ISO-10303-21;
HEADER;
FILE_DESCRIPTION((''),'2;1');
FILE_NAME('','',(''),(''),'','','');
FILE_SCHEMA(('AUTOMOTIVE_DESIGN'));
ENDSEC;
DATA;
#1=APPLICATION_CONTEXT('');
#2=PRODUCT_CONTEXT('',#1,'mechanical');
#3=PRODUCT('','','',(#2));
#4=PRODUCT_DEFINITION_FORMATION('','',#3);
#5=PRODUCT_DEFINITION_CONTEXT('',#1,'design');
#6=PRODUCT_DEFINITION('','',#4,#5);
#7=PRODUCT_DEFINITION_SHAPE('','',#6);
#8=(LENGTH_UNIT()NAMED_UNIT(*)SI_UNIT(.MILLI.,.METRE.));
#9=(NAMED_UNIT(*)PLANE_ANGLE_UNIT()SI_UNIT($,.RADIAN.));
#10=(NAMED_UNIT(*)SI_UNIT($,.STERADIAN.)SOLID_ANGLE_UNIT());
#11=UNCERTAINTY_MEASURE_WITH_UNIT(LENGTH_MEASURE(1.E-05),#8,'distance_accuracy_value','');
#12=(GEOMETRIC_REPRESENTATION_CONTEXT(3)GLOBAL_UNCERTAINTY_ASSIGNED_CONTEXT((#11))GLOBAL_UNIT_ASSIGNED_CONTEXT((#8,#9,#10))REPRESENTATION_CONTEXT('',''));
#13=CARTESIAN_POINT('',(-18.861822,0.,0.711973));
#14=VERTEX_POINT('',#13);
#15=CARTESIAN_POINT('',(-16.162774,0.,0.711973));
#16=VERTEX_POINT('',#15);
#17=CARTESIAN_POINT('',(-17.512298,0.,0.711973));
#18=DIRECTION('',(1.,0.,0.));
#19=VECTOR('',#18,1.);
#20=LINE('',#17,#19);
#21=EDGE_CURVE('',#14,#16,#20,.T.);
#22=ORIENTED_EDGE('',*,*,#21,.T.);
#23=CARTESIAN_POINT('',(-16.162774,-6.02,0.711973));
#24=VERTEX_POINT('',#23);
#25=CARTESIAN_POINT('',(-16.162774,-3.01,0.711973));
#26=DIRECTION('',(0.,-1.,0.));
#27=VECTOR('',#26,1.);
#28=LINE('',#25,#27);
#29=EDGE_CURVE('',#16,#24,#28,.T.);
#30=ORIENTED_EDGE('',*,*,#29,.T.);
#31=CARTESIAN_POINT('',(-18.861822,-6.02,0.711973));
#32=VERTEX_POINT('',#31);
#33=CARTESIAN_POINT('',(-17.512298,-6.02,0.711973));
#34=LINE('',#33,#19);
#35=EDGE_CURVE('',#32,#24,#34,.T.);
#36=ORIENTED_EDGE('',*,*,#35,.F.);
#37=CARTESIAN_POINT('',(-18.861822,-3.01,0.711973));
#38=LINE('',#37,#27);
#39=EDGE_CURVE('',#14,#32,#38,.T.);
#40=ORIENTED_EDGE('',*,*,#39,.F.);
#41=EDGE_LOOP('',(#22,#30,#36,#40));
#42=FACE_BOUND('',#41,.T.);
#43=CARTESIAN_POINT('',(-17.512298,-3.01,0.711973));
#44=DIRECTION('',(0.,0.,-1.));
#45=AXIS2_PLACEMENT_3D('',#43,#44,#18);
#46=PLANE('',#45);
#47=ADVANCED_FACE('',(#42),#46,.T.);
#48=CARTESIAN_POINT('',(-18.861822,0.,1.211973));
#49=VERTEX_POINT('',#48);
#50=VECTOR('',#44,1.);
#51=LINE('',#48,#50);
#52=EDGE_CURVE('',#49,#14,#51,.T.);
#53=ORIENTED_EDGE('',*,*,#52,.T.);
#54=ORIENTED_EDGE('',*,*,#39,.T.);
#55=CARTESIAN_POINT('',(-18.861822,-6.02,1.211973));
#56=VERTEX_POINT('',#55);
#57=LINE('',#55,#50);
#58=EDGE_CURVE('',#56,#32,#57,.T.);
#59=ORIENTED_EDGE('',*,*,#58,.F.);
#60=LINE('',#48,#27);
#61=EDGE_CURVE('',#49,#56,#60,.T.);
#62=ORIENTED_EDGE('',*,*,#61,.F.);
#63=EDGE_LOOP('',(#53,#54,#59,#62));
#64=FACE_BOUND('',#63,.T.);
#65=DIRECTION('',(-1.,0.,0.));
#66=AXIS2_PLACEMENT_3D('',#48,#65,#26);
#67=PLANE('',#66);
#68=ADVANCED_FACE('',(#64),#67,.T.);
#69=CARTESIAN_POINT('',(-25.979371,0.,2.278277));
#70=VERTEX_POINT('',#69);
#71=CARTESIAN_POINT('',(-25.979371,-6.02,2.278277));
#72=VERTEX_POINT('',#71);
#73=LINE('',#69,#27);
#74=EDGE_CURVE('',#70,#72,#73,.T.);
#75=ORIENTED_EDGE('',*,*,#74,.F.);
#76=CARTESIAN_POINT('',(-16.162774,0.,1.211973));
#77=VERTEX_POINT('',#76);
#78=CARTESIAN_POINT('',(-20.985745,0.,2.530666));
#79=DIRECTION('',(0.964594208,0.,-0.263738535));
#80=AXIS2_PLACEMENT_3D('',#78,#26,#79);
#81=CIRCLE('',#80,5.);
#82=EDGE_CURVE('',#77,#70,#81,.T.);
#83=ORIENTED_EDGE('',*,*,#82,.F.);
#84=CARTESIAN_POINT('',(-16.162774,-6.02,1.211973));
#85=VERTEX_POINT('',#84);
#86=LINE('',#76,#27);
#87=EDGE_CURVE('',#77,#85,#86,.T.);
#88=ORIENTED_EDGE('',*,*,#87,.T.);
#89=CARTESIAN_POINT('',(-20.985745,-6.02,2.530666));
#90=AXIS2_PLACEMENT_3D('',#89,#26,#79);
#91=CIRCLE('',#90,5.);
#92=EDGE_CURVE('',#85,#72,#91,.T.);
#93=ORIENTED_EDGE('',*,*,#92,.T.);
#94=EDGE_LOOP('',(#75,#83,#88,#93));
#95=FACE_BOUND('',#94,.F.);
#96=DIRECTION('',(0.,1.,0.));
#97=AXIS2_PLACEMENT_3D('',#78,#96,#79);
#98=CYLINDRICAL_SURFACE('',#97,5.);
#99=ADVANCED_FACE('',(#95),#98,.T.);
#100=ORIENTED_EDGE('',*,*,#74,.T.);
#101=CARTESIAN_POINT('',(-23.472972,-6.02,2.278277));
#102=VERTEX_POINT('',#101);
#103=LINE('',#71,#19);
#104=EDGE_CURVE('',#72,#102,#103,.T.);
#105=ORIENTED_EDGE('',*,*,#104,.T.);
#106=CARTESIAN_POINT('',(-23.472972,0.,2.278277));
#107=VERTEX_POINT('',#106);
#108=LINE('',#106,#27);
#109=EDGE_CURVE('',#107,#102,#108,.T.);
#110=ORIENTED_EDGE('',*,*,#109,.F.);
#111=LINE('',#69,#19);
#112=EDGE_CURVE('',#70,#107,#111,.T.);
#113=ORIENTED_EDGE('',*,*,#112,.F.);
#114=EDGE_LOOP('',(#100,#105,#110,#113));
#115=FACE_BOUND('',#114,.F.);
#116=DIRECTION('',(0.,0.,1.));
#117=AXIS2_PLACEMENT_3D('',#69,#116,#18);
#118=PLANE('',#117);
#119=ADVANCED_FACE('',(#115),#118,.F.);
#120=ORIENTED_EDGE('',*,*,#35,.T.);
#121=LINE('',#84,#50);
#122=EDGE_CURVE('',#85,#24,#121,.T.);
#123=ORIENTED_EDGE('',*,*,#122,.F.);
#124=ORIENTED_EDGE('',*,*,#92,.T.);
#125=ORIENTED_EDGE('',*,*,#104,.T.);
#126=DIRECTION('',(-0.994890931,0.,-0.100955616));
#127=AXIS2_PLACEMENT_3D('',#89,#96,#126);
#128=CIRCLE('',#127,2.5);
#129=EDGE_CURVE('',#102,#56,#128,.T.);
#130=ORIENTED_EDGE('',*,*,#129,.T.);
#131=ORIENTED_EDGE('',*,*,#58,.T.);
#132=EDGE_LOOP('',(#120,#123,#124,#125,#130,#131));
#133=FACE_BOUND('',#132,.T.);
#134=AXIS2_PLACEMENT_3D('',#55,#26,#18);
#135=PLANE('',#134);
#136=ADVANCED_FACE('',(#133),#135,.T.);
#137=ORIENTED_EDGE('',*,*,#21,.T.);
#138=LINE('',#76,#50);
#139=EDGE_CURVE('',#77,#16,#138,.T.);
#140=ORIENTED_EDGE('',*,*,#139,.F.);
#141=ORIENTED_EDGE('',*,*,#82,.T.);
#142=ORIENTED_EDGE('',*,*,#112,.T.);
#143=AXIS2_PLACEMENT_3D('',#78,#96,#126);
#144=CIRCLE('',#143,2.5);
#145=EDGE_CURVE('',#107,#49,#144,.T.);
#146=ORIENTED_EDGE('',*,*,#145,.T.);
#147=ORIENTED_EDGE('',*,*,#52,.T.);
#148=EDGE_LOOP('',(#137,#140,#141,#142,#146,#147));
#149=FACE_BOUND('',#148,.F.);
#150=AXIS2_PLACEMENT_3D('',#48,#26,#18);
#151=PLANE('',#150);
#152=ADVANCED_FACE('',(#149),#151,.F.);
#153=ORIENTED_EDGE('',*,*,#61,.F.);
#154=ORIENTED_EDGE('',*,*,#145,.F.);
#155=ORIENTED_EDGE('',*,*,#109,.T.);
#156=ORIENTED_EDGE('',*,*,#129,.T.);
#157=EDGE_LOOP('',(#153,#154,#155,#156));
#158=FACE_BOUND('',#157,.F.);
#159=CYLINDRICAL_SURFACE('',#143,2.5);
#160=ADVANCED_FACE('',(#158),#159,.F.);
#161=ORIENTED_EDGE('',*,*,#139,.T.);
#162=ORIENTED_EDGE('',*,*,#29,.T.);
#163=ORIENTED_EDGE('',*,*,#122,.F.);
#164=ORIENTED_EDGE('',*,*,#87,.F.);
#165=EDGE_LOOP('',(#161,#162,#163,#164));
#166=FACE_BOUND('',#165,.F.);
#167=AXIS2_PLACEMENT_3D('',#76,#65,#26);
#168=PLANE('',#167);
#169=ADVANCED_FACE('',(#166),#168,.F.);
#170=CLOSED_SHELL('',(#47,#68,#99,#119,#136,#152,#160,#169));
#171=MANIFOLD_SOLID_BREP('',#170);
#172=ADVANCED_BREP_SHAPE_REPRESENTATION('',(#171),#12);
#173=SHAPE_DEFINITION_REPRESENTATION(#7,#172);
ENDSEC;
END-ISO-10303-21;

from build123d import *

# Parameters (mm, degrees)
F1_DEPTH  = 6.02
F1_FACE_W = 2.699048
F1_FACE_H = 6.02
F2_DEPTH  = 0.5


with BuildPart() as f1:
    # F0 (on Front) → F1 (new body)
    with BuildSketch(Plane.XZ):
        with BuildLine():
            Line((-18.861822, 1.211973), (-16.162774, 1.211973))
            ThreePointArc((-16.162774, 1.211973), (-20.445808, 7.501427), (-25.979371, 2.278277))
            Line((-25.979371, 2.278277), (-23.472972, 2.278277))
            ThreePointArc((-23.472972, 2.278277), (-20.422497, 4.96639), (-18.861822, 1.211973))
        make_face()
    extrude(amount=F1_DEPTH)

    # F1_face (on face) → F2 (join)
    with BuildSketch(Plane(origin=(-17.512298, -3.01, 1.211973), x_dir=(1, 0, 0), z_dir=(0, 0, -1))):
        Rectangle(F1_FACE_W, F1_FACE_H)
    extrude(amount=F2_DEPTH)


solid = f1.part
